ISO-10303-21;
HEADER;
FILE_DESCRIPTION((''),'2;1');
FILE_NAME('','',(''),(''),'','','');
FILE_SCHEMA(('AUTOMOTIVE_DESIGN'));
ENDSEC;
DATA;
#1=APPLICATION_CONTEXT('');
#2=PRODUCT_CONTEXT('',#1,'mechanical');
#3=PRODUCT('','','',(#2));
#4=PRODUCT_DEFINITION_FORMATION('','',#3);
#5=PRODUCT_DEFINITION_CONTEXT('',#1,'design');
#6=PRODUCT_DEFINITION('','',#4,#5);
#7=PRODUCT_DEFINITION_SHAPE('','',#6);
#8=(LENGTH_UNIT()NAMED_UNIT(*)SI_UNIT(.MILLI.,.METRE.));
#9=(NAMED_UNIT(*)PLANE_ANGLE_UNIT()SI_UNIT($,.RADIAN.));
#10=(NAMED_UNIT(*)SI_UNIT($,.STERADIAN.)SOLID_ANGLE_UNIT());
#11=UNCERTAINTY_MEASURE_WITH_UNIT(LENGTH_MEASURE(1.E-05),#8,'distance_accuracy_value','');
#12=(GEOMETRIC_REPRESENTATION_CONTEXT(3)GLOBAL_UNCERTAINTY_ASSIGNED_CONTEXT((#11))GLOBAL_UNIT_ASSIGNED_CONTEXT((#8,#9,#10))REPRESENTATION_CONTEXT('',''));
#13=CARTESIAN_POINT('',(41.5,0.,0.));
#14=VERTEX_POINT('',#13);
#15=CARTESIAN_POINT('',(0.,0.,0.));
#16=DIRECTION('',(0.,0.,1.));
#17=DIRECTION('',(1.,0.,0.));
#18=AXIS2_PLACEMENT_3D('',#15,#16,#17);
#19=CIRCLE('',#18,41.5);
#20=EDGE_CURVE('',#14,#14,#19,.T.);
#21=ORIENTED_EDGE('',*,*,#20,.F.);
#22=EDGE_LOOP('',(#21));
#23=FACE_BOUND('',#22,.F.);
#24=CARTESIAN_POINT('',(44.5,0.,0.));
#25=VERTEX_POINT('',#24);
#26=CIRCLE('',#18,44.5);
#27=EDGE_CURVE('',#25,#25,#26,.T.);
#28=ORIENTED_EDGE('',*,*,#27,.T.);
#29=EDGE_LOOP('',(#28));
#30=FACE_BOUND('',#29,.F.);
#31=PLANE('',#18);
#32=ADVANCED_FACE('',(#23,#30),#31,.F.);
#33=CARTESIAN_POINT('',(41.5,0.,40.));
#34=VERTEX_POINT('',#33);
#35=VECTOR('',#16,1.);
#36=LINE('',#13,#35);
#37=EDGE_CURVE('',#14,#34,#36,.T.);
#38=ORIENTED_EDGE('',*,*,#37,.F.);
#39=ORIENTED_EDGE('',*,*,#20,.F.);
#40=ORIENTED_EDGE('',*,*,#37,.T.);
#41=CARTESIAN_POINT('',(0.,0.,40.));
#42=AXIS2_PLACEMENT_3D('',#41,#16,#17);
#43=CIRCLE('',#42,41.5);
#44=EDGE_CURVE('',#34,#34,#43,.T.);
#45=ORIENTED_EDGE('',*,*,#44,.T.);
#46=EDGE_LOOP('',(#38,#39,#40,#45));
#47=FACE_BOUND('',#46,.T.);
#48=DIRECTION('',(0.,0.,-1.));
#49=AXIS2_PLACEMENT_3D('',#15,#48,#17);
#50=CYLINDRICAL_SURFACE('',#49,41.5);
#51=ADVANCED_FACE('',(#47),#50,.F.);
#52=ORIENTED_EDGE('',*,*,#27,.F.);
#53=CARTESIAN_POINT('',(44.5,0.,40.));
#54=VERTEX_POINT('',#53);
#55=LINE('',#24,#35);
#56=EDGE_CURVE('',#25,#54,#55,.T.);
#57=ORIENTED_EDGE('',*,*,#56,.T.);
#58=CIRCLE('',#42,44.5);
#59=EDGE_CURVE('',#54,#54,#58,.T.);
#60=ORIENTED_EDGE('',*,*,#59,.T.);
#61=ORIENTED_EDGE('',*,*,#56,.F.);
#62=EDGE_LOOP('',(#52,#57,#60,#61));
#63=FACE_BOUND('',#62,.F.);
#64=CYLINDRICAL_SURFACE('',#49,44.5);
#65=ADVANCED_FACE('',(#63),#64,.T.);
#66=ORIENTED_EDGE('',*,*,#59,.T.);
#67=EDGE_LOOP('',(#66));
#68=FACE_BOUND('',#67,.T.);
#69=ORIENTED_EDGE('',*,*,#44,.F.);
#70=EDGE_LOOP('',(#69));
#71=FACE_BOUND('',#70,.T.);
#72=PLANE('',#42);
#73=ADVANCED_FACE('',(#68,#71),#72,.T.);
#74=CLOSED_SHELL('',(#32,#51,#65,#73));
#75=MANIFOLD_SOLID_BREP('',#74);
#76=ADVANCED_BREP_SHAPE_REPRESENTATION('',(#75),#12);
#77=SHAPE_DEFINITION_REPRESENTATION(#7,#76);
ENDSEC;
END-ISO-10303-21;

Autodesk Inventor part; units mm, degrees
ref_plane "YZ Plane" through (0, 0, 0) normal (1, 0, 0) x (0, 1, 0)
ref_plane "XZ Plane" through (0, 0, 0) normal (0, 1, 0) x (-1, 0, 0)
ref_plane "XY Plane" through (0, 0, 0) normal (0, 0, 1) x (1, 0, 0)
sketch "Sketch1" plane through (0, 0, 0) normal (0, 0, 1) x (1, 0, 0)
  circle A0 centre (0, 0) radius 44.5
  circle A1 centre (0, 0) radius 41.5
  dimension "d0" = 89
  dimension "d1" = 3
extrude "Extrusion1" add sketch "Sketch1" along normal blind 40
properties part number "MSC 105 rocket tube 9"
